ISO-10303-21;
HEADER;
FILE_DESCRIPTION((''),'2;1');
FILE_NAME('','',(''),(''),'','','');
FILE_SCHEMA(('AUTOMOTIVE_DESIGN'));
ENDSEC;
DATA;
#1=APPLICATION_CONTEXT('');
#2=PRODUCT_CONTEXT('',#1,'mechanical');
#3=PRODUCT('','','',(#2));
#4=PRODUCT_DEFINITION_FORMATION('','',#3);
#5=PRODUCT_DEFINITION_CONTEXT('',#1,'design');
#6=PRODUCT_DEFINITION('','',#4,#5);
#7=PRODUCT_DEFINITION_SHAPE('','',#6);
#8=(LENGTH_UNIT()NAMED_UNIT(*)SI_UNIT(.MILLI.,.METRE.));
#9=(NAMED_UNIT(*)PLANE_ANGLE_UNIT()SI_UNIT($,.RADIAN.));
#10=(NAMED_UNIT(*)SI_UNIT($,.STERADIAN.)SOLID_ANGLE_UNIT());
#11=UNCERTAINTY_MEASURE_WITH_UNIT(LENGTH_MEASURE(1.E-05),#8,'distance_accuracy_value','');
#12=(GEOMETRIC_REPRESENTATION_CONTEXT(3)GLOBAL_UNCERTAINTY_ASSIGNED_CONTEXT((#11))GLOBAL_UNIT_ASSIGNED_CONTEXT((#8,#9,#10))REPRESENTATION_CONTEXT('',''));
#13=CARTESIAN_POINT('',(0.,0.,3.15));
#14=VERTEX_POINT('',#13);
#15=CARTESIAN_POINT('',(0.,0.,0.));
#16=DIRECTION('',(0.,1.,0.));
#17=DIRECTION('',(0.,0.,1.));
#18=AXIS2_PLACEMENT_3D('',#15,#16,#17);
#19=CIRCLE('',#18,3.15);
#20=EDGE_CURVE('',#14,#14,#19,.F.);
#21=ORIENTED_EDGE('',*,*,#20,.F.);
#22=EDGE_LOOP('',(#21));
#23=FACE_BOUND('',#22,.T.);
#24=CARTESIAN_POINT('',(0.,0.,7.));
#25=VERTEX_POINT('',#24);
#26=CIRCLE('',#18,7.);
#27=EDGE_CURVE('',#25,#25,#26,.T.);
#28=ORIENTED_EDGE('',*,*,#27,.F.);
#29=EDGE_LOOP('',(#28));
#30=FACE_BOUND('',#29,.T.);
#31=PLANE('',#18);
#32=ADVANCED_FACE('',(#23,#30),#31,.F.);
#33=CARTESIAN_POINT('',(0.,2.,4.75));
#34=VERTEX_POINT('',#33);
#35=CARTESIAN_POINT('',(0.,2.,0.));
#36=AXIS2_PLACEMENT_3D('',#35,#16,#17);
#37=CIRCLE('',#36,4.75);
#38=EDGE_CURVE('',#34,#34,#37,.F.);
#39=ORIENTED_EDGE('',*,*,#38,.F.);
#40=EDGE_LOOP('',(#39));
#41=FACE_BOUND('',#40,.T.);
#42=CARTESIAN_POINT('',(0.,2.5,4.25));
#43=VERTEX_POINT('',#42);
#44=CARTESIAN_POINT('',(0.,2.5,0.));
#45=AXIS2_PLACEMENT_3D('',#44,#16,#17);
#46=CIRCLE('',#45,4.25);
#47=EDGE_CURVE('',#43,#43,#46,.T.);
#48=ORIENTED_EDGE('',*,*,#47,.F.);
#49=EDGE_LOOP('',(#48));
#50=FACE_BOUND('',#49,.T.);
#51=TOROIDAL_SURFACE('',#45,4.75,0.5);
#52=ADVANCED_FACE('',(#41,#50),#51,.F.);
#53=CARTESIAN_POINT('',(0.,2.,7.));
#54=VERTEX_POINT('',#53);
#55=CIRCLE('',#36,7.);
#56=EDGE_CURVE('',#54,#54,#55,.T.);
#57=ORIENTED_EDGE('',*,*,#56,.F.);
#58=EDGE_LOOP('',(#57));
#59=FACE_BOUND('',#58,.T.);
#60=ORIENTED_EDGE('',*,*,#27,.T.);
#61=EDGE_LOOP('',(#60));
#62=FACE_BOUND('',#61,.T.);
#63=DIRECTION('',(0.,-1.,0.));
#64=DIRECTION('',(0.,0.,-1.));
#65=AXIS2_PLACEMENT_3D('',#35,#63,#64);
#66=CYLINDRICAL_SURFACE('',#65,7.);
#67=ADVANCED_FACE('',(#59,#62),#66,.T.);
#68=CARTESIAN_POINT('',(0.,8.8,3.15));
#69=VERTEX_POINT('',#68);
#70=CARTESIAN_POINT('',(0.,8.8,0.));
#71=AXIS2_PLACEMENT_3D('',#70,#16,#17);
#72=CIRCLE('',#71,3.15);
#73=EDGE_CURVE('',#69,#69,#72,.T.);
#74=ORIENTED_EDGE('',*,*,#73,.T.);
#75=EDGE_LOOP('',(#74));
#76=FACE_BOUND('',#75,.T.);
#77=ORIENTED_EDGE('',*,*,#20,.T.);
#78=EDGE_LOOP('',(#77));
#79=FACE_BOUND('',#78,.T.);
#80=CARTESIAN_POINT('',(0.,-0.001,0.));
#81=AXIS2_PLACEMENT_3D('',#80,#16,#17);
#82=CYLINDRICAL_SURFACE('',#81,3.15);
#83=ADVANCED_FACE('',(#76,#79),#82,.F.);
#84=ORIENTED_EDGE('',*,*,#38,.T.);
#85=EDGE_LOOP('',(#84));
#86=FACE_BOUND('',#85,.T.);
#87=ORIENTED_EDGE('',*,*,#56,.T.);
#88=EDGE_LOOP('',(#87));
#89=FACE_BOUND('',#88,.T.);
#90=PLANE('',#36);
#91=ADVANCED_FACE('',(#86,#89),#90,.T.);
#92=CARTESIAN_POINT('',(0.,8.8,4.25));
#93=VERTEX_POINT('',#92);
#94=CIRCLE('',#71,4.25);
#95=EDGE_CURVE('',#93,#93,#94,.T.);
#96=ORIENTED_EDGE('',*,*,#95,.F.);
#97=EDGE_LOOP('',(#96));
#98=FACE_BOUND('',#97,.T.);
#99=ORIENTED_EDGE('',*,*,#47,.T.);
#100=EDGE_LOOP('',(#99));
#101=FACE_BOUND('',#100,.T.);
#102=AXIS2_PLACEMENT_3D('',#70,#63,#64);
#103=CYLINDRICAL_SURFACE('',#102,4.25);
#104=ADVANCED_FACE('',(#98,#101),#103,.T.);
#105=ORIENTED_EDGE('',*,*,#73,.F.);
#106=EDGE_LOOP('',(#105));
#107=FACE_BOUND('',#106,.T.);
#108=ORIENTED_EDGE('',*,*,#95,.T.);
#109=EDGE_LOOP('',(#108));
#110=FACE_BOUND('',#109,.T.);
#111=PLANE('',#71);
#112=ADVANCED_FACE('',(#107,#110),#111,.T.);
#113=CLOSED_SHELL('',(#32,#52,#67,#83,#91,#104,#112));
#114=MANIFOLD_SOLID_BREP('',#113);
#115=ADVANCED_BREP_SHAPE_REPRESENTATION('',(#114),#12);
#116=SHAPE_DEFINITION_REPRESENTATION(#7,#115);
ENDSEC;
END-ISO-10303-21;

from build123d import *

# Parameters (mm, degrees)
SKETCH_1_R          = 7
EXTRUDE_1_DEPTH     = 2
SKETCH_2_R          = 4.25
EXTRUDE_2_DEPTH     = 6.8
CUT_EXTRUDE_1_REACH = 15.245
SKETCH_3_R          = 3.15
FILLET_1_R          = 0.5


with BuildPart() as part:
    # 草图1 → 凸台-拉伸1 (new body)
    with BuildSketch(Plane(origin=(0, 0, 0), x_dir=(1, 0, 0), z_dir=(0, 1, 0))):
        with Locations(Location((0, 0, 0), (0, 0, 270))):
            Circle(SKETCH_1_R)
    extrude(amount=EXTRUDE_1_DEPTH)

    # 草图2 → 凸台-拉伸2 (add)
    with BuildSketch(Plane(origin=(0, 2, 0), x_dir=(1, 0, 0), z_dir=(0, 1, 0))):
        with Locations(Location((0, 0, 0), (0, 0, 270))):
            Circle(SKETCH_2_R)
    extrude(amount=EXTRUDE_2_DEPTH)

    # 草图3 → 切除-拉伸1 (cut, up to next)
    with BuildSketch(Plane(origin=(0, 8.8, 0), x_dir=(1, 0, 0), z_dir=(0, 1, 0)), mode=Mode.PRIVATE) as cut_extrude_1_sk1:
        with Locations(Location((0, 0, 0), (0, 0, 270))):
            Circle(SKETCH_3_R)
    cut_extrude_1_tool1 = extrude(cut_extrude_1_sk1.sketch, amount=-CUT_EXTRUDE_1_REACH, mode=Mode.PRIVATE) & part.part
    add(cut_extrude_1_tool1.solids().sort_by_distance((0, 8.8, 0))[0], mode=Mode.SUBTRACT)

    # 圆角1
    fillet_1_edges = [part.edges().sort_by_distance(p)[0] for p in [
        (0, 2, -4.25),
    ]]
    fillet(fillet_1_edges, radius=FILLET_1_R)


solid = part.part
